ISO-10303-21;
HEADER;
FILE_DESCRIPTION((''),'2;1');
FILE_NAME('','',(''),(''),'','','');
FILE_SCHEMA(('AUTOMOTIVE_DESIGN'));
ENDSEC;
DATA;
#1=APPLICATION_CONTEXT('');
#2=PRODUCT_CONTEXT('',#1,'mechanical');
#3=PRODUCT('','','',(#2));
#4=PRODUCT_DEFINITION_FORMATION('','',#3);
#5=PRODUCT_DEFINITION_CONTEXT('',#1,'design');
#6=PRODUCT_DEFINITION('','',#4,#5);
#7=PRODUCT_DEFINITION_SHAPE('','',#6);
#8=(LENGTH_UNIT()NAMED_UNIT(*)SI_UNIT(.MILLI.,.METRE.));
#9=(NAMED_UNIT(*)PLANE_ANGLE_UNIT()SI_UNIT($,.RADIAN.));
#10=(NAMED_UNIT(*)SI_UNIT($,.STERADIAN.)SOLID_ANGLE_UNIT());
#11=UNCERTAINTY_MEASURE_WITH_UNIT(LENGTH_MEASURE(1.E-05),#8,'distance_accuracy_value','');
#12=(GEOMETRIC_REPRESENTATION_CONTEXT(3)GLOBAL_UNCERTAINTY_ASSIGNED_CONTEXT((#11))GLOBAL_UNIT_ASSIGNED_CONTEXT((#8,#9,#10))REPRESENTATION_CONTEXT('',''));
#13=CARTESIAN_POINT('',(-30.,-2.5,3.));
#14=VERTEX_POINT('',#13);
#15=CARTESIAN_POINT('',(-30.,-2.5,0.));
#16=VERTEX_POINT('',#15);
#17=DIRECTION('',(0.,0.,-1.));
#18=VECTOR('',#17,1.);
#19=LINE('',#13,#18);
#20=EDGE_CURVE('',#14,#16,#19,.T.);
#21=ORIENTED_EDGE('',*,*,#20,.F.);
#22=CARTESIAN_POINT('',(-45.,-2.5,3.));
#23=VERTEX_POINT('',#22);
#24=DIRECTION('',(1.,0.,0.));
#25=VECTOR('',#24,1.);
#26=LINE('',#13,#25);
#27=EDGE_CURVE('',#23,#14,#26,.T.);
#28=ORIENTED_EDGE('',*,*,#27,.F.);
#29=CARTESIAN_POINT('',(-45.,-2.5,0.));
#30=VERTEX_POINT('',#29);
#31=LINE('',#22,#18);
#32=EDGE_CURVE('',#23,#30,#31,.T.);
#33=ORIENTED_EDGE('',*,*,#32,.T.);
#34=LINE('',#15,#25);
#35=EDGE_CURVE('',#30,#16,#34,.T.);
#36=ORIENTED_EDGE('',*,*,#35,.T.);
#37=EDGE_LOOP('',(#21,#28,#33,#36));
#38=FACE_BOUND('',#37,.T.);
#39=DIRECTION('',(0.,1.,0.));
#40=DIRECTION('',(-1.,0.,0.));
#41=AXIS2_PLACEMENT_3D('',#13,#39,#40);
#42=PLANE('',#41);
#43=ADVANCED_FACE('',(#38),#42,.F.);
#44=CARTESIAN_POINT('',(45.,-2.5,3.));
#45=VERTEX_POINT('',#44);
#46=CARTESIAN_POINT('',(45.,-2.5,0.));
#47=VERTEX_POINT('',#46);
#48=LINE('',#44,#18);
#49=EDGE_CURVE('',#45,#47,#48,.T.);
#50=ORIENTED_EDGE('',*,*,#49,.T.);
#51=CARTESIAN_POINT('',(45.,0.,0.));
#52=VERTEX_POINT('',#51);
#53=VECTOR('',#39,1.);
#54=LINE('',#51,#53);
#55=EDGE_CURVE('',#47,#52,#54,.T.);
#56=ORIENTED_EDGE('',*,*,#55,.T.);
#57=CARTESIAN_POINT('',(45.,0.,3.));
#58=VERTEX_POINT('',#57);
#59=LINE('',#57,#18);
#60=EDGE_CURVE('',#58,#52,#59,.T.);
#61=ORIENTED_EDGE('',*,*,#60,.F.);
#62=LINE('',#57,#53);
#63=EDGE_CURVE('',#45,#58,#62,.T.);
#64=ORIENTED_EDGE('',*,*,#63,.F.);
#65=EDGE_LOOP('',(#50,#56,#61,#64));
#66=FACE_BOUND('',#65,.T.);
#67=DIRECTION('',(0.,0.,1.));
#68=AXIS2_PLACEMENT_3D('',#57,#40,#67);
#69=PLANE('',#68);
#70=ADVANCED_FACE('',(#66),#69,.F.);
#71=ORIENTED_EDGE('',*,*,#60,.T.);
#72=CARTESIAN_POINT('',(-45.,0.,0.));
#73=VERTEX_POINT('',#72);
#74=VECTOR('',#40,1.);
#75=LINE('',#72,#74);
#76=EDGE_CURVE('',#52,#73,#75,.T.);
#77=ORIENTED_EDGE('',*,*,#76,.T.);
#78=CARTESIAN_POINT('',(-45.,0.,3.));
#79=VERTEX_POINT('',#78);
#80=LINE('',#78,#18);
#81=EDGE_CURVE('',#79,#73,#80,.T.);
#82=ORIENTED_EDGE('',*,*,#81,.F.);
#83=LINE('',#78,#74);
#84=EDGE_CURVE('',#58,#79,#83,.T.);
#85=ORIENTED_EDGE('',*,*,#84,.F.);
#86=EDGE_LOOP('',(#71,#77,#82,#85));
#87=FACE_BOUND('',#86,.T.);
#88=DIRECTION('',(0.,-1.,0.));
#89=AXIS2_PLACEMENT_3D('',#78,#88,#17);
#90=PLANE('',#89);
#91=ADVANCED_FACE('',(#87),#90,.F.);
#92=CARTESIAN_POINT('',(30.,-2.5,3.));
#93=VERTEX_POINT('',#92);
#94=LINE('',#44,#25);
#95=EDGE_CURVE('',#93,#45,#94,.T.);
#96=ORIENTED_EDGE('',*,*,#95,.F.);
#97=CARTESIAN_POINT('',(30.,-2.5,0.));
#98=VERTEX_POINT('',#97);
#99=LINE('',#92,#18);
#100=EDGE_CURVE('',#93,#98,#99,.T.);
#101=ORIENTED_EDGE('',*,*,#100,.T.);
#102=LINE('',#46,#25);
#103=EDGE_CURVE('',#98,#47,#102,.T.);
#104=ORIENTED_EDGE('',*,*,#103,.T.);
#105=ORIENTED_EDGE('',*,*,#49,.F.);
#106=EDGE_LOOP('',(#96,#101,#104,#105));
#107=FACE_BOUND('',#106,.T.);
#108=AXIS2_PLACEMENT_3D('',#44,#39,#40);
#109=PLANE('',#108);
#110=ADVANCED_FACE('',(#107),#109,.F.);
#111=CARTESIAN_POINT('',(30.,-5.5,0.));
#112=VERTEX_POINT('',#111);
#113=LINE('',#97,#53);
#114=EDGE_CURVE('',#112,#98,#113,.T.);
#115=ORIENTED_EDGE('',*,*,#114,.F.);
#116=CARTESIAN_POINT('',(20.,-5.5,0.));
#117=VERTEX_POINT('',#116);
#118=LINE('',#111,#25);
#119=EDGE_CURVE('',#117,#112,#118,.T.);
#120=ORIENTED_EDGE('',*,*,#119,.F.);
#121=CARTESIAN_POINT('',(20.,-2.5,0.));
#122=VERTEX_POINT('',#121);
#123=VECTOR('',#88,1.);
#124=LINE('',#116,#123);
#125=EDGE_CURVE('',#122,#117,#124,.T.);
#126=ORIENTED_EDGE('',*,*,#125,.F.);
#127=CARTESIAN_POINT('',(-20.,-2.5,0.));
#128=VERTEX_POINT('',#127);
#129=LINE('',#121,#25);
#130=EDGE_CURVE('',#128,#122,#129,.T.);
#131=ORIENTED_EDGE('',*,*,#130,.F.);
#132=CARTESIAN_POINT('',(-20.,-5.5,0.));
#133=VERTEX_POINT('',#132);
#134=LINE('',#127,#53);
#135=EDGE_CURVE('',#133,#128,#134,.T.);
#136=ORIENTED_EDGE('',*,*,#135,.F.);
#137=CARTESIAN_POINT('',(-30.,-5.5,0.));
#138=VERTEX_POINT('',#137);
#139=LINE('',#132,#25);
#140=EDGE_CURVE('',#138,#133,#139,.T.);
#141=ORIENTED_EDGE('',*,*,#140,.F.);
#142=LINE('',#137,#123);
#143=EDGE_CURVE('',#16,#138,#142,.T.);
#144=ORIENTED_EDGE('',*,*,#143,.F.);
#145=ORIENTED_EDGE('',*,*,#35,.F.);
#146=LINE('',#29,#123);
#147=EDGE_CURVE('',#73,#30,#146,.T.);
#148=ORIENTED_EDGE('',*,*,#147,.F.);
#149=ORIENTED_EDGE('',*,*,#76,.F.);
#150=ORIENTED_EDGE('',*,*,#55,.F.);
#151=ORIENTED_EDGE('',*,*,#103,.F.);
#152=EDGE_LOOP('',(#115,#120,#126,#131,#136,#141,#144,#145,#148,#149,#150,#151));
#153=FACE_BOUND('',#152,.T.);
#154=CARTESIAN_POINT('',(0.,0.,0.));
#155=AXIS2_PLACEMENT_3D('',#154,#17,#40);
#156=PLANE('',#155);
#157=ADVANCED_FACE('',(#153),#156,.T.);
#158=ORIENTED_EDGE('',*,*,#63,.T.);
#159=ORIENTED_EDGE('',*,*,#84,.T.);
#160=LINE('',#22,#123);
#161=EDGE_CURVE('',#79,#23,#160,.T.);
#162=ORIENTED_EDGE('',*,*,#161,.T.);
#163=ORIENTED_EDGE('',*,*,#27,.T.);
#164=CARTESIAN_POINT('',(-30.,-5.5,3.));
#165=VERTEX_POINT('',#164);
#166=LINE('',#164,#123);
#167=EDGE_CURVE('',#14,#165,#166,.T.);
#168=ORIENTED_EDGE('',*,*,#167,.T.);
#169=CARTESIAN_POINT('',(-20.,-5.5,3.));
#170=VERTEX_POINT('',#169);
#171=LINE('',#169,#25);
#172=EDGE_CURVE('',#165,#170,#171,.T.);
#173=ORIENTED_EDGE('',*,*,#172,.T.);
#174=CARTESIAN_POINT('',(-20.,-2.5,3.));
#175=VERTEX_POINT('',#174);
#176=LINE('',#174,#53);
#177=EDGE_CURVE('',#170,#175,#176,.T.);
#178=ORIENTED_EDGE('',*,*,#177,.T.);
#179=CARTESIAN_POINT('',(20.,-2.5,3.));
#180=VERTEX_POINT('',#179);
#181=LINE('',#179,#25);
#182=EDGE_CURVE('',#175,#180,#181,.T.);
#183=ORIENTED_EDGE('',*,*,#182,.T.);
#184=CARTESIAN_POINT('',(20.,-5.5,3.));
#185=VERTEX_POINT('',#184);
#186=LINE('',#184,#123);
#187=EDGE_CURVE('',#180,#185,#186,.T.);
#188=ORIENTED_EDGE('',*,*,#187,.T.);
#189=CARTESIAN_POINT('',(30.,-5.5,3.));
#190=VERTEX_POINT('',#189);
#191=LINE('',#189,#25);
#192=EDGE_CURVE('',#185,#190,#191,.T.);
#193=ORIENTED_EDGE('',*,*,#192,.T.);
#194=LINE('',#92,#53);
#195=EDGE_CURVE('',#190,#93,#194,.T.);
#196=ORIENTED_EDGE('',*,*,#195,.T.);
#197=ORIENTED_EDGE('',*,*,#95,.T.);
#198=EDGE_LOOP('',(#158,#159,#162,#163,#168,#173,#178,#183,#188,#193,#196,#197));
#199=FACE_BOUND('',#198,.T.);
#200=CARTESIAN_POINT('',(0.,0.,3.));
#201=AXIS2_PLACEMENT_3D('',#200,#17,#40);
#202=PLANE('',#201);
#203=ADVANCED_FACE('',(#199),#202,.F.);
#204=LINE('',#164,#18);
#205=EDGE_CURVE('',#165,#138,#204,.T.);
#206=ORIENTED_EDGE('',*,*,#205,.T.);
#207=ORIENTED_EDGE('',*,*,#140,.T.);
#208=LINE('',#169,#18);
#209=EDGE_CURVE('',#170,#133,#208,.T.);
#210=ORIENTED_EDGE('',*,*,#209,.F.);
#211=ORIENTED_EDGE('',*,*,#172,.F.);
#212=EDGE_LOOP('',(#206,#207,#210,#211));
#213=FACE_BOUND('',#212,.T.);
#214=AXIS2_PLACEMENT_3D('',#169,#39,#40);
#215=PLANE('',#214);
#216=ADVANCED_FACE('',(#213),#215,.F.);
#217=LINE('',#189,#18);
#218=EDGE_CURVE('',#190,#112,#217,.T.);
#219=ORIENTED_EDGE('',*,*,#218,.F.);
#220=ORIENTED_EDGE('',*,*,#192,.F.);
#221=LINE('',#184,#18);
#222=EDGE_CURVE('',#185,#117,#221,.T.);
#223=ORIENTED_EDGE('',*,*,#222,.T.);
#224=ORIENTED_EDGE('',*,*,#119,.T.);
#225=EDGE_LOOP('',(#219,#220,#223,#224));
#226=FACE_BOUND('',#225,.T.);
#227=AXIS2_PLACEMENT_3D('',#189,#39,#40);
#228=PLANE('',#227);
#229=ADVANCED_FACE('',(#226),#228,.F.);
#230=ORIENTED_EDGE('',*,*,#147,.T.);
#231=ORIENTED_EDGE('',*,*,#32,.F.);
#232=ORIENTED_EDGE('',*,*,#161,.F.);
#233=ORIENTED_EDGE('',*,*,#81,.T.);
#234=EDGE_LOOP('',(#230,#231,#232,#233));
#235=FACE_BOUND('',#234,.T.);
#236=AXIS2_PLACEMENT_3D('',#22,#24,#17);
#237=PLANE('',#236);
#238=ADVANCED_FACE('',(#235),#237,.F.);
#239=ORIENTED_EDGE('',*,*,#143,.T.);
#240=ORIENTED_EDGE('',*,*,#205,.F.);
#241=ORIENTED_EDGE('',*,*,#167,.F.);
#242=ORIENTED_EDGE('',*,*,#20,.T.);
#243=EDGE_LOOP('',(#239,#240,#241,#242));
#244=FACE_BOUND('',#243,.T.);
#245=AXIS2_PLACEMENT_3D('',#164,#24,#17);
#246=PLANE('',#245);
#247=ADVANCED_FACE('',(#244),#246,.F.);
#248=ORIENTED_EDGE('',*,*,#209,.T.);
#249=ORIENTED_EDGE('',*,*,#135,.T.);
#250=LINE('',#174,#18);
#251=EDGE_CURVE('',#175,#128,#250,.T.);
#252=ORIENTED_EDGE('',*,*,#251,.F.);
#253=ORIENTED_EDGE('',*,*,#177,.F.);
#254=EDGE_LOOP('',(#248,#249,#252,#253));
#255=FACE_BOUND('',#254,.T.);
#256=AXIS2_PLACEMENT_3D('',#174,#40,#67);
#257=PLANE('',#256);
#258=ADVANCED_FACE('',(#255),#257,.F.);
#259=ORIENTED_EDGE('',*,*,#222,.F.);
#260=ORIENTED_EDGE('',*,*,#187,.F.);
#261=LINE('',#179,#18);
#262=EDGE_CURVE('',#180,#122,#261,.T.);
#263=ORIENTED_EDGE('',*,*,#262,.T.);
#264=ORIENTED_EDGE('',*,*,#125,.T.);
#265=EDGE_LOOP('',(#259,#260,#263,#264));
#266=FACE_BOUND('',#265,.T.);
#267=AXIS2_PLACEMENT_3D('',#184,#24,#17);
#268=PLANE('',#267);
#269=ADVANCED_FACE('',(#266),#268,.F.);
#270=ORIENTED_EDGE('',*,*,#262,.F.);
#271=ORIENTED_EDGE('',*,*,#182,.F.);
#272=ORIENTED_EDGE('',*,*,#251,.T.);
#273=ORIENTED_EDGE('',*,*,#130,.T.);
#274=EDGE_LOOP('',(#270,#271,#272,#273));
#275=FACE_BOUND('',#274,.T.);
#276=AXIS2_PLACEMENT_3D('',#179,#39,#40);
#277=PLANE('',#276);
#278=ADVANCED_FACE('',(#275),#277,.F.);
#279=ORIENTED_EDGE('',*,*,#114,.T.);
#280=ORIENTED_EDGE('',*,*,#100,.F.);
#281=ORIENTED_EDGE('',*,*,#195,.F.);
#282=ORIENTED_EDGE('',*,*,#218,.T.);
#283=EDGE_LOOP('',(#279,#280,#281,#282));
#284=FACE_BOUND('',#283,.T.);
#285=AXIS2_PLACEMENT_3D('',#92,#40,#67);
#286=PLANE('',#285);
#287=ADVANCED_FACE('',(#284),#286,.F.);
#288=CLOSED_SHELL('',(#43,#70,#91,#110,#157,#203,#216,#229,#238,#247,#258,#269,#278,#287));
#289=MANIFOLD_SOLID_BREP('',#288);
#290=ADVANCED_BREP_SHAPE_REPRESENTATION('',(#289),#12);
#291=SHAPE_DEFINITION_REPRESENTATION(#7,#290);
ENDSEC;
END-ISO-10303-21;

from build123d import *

# Parameters (mm, degrees)
BOSS_EXTRUDE1_DEPTH = 3


with BuildPart() as part:
    # Sketch1 → Boss-Extrude1 (new body)
    with BuildSketch(Plane.XY):
        Polygon((-45, 0), (45, 0), (45, -2.5), (30, -2.5), (30, -5.5), (20, -5.5), (20, -2.5), (-20, -2.5), (-20, -5.5), (-30, -5.5), (-30, -2.5), (-45, -2.5), align=None)
    extrude(amount=BOSS_EXTRUDE1_DEPTH)


solid = part.part
